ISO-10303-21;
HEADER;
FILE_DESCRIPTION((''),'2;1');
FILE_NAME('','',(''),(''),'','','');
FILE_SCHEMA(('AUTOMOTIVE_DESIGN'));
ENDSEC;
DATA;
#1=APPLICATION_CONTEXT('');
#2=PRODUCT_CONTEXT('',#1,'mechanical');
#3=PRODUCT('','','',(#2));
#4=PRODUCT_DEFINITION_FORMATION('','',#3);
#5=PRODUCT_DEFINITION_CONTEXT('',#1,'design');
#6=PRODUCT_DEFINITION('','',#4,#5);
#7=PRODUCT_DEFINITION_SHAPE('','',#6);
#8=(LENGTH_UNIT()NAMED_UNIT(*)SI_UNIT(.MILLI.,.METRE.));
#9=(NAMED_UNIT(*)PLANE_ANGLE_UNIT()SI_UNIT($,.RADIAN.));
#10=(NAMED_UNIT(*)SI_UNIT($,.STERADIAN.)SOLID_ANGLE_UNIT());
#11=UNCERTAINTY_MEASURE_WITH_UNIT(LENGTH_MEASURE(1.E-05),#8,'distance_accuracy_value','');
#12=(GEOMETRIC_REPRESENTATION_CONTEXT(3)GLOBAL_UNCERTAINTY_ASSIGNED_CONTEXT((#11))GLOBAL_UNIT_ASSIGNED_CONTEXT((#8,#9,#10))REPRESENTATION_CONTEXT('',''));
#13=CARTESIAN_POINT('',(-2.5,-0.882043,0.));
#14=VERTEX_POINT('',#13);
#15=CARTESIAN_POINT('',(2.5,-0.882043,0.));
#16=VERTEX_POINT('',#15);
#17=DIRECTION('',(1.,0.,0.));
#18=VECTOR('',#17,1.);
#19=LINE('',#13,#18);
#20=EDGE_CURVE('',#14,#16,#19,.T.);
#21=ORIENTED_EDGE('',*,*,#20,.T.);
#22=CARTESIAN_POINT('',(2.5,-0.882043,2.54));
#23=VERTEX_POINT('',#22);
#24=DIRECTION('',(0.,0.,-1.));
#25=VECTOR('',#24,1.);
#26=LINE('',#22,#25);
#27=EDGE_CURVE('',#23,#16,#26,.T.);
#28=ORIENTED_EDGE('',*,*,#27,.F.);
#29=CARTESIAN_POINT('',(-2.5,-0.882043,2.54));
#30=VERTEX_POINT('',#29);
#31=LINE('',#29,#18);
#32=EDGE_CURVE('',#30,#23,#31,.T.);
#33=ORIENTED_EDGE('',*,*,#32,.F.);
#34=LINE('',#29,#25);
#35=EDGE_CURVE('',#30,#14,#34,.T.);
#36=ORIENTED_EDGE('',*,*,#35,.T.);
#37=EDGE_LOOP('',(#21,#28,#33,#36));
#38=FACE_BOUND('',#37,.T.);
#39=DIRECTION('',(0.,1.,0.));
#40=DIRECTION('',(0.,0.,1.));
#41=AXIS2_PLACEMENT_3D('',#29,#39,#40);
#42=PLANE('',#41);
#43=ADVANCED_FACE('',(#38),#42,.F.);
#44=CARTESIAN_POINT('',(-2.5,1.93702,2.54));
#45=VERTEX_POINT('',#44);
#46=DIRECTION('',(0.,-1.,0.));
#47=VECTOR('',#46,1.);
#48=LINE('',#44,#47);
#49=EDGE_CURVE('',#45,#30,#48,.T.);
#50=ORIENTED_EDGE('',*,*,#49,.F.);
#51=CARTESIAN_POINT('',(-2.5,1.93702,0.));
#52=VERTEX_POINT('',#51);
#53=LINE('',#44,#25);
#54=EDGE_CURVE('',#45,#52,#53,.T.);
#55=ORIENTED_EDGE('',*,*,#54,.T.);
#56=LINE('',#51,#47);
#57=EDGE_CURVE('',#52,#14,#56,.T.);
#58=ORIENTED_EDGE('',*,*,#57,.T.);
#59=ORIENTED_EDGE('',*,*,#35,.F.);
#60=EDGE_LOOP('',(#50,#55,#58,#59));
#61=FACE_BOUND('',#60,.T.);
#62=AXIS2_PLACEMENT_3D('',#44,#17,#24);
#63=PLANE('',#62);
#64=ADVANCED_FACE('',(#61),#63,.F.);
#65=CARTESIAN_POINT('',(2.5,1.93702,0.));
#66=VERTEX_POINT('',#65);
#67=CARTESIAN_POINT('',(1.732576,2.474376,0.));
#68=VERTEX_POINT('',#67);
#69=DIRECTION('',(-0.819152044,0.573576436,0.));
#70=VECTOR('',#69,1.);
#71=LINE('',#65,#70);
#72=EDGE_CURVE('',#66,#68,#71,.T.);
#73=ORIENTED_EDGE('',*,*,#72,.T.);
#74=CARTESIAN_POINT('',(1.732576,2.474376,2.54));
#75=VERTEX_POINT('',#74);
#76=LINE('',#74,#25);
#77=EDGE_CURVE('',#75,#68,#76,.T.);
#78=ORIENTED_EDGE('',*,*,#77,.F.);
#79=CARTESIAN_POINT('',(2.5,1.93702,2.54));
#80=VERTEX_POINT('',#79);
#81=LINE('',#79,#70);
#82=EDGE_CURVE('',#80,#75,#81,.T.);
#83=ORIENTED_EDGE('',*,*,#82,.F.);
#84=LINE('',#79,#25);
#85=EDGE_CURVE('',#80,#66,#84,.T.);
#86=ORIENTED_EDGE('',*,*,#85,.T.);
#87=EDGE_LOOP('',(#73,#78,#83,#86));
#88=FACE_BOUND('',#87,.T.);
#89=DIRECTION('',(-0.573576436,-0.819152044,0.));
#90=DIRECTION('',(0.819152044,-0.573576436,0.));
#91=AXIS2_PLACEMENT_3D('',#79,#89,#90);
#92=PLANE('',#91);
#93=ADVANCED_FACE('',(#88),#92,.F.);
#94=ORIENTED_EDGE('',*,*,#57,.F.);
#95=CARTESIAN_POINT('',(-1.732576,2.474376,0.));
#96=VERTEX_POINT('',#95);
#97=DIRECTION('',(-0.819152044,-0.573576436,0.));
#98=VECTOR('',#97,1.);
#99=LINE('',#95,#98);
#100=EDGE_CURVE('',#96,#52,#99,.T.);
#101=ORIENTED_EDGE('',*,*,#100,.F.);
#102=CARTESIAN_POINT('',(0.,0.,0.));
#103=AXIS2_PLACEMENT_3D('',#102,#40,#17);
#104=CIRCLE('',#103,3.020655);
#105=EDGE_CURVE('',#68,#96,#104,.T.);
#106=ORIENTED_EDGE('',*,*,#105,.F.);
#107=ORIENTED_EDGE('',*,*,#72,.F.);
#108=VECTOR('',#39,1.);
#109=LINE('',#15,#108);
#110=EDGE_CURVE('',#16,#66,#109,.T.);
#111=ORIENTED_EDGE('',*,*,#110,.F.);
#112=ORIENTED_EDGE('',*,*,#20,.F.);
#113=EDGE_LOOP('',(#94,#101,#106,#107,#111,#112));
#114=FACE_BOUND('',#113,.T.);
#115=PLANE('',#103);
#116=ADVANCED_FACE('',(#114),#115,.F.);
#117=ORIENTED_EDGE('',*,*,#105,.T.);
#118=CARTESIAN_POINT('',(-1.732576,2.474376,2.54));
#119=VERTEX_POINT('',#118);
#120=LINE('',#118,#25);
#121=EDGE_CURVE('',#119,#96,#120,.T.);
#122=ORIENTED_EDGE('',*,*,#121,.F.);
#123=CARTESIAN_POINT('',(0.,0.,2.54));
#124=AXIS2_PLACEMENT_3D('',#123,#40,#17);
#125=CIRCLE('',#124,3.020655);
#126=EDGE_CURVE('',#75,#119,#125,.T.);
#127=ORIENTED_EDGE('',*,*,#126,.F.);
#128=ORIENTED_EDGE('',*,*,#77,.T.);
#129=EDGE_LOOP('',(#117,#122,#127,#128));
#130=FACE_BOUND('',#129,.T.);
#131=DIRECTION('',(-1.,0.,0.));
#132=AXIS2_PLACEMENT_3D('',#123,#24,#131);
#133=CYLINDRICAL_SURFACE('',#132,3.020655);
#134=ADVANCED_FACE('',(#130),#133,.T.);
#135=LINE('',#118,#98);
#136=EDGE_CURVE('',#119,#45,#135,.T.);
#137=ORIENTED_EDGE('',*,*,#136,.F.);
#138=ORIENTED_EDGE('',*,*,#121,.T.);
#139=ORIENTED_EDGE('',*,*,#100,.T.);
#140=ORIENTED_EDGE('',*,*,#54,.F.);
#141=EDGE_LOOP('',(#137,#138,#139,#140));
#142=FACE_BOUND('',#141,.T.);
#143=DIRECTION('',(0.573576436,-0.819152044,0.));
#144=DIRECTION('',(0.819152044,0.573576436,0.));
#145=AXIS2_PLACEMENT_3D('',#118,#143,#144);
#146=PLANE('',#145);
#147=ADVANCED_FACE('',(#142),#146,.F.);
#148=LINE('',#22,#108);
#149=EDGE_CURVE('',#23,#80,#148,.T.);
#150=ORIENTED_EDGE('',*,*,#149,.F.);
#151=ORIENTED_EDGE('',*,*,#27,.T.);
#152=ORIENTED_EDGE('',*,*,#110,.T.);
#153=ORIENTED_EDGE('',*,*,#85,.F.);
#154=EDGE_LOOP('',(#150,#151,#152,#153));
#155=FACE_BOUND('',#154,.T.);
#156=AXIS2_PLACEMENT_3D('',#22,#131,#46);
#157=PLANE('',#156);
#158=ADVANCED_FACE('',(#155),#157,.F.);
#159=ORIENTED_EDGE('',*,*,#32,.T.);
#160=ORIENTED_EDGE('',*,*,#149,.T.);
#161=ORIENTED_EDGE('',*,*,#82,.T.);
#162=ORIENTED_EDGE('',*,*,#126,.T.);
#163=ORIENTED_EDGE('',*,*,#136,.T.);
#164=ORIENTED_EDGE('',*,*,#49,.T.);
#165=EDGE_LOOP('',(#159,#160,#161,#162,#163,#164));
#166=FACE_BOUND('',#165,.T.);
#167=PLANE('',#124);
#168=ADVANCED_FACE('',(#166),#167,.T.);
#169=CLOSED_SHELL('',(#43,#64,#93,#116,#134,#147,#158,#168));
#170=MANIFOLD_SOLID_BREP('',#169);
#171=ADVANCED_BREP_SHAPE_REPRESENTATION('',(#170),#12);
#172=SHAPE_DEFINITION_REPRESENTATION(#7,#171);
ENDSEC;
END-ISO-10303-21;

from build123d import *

# Parameters (mm, degrees)
BOSS_EXTRUDE1_DEPTH = 2.54


with BuildPart() as part:
    # Sketch1 → Boss-Extrude1 (new body)
    with BuildSketch(Plane.XY):
        with BuildLine():
            Line((-2.5, -0.88204324), (2.5, -0.88204324))
            Line((2.5, -0.88204324), (2.5, 1.937019723))
            Line((2.5, 1.937019723), (1.732576391, 2.474375519))
            ThreePointArc((1.732576391, 2.474375519), (1.312078864, 2.720809477), (0.857422044, 2.896408569))
            ThreePointArc((0.857422044, 2.896408569), (0, 3.020654757), (-0.857422044, 2.896408569))
            ThreePointArc((-0.857422044, 2.896408569), (-1.312078864, 2.720809477), (-1.732576391, 2.474375519))
            Line((-1.732576391, 2.474375519), (-2.5, 1.937019723))
            Line((-2.5, 1.937019723), (-2.5, -0.88204324))
        make_face()
    extrude(amount=BOSS_EXTRUDE1_DEPTH)


solid = part.part
